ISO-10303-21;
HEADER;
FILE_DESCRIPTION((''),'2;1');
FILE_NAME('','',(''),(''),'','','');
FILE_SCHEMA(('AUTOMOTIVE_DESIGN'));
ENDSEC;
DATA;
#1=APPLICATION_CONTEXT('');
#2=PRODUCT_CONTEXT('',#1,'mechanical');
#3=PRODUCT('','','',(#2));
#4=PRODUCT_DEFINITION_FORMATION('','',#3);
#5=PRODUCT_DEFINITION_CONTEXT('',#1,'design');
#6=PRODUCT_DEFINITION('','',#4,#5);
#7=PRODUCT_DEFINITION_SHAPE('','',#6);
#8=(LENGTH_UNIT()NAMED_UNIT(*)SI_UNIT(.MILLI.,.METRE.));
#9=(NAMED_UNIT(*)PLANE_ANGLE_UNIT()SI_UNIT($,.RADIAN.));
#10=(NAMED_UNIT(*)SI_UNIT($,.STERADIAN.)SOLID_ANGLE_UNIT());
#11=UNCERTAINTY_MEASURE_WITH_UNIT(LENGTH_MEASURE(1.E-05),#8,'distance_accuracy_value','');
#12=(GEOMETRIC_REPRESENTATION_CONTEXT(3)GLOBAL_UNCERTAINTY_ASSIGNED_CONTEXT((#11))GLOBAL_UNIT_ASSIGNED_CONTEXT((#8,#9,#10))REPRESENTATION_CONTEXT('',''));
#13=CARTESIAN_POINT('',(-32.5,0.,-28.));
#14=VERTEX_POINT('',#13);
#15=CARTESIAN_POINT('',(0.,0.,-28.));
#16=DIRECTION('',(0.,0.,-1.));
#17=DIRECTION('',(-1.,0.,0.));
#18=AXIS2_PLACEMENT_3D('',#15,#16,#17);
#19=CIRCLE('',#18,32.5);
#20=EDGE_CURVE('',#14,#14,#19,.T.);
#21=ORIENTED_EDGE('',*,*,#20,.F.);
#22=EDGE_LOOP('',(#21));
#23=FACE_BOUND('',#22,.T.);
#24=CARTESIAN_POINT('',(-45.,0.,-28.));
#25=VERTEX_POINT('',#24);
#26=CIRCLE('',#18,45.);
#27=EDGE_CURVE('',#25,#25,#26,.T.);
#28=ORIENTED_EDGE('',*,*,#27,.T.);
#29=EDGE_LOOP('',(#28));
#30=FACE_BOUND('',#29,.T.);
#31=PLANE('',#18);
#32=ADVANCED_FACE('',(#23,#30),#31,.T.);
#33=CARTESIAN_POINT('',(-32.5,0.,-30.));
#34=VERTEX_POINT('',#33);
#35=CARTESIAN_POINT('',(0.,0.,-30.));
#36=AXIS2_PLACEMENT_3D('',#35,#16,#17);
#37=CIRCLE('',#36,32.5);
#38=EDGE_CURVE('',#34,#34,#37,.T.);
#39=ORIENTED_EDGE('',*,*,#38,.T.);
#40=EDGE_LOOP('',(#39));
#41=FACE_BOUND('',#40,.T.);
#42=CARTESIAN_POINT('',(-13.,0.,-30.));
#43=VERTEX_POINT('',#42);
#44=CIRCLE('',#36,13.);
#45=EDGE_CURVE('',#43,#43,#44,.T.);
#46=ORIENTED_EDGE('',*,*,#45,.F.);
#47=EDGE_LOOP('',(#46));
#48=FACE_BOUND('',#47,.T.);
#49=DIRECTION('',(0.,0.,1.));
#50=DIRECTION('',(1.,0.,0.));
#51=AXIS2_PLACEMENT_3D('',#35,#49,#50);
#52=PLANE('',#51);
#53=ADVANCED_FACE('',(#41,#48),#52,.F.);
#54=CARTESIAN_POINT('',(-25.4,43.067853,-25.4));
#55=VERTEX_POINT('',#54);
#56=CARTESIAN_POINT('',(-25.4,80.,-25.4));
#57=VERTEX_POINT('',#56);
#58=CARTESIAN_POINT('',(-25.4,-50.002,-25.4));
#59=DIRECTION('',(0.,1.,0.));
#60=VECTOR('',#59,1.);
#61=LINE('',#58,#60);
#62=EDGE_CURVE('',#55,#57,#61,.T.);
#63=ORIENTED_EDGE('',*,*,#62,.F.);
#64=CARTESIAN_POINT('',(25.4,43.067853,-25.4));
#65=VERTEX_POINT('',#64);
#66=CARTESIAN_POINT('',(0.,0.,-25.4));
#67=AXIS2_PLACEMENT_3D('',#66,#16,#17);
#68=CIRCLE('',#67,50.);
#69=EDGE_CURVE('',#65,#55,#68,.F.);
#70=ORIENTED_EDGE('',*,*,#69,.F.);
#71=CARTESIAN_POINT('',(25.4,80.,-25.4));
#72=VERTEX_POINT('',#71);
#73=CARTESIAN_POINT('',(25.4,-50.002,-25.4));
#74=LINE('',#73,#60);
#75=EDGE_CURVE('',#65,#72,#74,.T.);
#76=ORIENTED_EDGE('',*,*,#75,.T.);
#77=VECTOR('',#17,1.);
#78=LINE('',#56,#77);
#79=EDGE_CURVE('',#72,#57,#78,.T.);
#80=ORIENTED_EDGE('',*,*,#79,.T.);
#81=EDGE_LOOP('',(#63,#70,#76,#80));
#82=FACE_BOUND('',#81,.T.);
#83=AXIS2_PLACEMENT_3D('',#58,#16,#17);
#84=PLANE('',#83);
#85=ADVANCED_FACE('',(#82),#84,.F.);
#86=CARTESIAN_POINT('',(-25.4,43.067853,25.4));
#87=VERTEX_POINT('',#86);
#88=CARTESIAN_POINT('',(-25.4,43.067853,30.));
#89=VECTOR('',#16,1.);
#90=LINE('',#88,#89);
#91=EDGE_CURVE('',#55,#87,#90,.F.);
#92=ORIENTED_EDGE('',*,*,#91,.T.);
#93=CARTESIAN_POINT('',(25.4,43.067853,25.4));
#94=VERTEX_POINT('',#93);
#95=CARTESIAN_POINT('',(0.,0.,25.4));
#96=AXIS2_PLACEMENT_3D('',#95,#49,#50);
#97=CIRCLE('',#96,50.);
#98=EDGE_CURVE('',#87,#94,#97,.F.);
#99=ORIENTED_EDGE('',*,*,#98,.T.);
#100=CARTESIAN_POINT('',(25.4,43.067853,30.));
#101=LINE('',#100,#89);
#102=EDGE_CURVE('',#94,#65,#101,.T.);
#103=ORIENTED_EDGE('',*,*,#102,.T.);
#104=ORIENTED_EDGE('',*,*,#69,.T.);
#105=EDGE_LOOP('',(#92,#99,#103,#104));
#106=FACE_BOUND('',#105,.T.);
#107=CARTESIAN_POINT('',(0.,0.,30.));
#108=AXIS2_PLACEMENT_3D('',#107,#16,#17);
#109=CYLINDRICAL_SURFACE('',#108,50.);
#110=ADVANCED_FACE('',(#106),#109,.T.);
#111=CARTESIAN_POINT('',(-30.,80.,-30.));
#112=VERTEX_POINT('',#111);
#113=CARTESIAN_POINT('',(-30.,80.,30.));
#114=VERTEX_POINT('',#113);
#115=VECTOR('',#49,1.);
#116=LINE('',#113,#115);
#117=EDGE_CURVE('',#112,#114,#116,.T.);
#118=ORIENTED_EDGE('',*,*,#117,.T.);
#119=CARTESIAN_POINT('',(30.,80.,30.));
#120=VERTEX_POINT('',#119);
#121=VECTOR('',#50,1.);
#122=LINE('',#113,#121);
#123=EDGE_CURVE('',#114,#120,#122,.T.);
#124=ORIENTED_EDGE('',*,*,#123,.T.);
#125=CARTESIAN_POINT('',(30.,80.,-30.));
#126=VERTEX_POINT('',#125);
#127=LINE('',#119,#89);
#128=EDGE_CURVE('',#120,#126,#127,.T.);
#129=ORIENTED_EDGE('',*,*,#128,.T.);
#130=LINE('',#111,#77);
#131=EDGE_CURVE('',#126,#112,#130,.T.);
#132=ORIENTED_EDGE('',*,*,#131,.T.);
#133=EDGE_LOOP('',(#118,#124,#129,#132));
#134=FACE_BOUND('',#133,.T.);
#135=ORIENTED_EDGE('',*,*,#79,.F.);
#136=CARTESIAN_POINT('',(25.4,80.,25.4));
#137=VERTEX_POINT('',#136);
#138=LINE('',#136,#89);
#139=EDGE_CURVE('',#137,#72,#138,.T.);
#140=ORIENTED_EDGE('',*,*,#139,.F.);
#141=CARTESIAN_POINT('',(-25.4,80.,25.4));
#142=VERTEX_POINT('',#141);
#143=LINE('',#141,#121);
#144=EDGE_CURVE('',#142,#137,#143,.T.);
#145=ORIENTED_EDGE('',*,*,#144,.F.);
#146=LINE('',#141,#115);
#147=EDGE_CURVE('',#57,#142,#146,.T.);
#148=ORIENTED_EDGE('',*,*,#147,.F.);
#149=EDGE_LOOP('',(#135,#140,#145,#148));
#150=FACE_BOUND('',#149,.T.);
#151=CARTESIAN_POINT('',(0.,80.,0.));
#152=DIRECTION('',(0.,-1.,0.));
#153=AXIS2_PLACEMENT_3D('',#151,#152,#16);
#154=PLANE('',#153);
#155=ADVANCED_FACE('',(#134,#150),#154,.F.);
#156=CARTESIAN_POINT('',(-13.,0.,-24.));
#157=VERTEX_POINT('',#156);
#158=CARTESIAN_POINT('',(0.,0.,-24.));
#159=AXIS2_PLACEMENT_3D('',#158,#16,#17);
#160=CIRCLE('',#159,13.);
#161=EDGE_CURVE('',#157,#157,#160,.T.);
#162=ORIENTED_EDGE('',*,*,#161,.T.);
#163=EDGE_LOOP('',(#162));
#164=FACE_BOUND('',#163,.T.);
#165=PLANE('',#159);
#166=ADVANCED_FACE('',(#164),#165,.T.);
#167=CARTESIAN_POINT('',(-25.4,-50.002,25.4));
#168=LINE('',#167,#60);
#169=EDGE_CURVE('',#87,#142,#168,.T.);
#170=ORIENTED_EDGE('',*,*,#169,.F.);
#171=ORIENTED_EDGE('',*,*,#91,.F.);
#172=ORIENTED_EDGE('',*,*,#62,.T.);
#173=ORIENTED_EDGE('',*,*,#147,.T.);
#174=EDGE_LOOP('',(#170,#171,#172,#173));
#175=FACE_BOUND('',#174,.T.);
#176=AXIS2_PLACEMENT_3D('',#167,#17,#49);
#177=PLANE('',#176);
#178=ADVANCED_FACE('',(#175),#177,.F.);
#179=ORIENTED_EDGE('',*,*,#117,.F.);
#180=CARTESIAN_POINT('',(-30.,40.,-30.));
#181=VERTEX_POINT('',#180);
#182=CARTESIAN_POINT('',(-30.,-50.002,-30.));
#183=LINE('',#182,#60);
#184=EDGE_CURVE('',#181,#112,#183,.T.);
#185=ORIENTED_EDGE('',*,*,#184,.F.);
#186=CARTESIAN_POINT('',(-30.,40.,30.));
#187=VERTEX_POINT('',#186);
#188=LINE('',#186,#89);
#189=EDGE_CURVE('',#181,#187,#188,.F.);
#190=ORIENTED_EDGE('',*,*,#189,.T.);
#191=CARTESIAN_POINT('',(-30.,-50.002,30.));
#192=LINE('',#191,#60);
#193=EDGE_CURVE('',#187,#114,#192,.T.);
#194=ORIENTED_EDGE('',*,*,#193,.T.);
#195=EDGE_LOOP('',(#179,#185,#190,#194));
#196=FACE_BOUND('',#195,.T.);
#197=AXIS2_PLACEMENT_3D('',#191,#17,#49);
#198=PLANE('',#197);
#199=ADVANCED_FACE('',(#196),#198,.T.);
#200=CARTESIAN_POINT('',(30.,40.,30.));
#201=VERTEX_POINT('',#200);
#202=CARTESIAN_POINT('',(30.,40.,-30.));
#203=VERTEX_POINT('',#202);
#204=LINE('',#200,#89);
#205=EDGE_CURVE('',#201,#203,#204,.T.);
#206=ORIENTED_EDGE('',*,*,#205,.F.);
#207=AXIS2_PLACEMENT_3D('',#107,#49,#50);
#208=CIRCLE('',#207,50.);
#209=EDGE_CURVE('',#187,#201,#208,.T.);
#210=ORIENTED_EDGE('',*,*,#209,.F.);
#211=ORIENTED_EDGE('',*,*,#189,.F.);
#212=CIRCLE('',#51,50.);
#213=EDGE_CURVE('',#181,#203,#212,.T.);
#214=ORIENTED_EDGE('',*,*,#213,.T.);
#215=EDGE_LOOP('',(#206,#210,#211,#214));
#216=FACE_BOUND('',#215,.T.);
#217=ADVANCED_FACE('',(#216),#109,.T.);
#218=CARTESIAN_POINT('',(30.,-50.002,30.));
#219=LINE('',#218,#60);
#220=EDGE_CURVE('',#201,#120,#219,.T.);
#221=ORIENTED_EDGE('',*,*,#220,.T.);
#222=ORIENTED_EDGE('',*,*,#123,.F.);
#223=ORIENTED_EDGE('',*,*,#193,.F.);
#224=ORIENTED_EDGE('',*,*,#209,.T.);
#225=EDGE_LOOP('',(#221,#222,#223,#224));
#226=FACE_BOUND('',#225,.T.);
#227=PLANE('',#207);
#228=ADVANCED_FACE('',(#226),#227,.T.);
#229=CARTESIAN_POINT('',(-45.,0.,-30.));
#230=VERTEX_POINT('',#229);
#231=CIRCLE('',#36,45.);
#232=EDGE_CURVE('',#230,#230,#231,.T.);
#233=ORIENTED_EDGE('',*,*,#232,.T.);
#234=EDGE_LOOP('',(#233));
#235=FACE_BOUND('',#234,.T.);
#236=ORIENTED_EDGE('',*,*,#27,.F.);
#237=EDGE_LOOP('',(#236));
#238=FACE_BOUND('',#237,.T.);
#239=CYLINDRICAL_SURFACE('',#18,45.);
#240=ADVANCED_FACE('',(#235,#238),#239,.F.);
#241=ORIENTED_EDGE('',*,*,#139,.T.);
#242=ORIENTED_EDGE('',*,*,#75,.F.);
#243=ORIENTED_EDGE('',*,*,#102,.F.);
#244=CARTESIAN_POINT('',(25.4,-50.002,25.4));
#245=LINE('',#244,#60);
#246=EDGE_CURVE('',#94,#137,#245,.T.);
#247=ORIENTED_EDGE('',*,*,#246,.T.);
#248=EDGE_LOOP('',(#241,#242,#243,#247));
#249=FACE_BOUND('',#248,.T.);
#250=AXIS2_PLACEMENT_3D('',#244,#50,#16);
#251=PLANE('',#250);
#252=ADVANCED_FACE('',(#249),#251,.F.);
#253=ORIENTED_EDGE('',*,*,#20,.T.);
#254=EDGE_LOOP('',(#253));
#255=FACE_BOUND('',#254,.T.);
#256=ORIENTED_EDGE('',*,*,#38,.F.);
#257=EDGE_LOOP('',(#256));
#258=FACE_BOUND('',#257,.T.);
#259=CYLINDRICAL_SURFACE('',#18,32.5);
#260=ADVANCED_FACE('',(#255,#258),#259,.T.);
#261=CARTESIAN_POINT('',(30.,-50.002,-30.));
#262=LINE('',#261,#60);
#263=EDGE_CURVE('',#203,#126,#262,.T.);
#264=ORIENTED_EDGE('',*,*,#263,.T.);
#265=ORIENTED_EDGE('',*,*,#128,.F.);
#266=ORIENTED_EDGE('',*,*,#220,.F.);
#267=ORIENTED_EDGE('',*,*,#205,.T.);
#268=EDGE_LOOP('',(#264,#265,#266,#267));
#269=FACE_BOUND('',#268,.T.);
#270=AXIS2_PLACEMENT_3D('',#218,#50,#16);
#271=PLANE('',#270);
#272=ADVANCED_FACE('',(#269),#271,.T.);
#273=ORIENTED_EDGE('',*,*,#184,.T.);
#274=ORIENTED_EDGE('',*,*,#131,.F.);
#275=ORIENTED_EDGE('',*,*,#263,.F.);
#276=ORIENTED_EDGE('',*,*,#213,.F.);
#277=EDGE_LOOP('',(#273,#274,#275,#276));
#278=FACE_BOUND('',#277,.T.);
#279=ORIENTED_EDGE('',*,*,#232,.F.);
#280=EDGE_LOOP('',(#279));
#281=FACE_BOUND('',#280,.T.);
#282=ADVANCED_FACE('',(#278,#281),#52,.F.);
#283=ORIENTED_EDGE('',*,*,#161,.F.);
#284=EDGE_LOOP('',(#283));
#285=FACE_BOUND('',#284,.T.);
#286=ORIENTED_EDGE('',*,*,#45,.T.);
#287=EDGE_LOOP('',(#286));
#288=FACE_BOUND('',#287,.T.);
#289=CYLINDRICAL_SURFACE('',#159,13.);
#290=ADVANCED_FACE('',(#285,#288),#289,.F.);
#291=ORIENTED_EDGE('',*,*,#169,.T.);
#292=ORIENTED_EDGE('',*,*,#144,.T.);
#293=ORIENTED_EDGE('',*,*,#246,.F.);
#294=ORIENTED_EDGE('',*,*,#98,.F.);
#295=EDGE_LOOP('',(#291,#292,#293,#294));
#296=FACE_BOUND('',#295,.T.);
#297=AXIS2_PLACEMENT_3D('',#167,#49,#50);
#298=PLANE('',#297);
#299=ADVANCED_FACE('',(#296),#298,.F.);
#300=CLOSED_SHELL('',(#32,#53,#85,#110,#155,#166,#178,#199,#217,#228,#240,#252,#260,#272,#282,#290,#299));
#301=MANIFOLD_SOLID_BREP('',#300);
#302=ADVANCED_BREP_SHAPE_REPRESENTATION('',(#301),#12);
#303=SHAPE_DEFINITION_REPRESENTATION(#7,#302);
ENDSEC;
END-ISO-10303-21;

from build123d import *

# Parameters (mm, degrees)
CROQUIS1_R                   = 50
SALIENTE_EXTRUIR1_DEPTH      = 30
CROQUIS2_R                   = 45
CROQUIS2_R_2                 = 32.5
CORTAR_EXTRUIR1_DEPTH        = 2
CROQUIS3_R                   = 13
CORTAR_EXTRUIR2_DEPTH        = 6
SALIENTE_EXTRUIR2_REACH      = 144.478
SALIENTE_EXTRUIR2_END_RADIUS = 50
CROQUIS5_W                   = 60
CROQUIS5_H                   = 60
CROQUIS5_W_2                 = 50.8
CROQUIS5_H_2                 = 50.8


with BuildPart() as part:
    # Croquis1 → Saliente-Extruir1 (new, symmetric)
    with BuildSketch(Plane.XY):
        Circle(CROQUIS1_R)
    extrude(amount=SALIENTE_EXTRUIR1_DEPTH, both=True)

    # Croquis2 → Cortar-Extruir1 (cut)
    with BuildSketch(Plane(origin=(0, 0, -30), x_dir=(-1, 0, 0), z_dir=(0, 0, -1))):
        Circle(CROQUIS2_R)
        Circle(CROQUIS2_R_2, mode=Mode.SUBTRACT)
    extrude(amount=-CORTAR_EXTRUIR1_DEPTH, mode=Mode.SUBTRACT)

    # Croquis3 → Cortar-Extruir2 (cut)
    with BuildSketch(Plane(origin=(0, 0, -30), x_dir=(-1, 0, 0), z_dir=(0, 0, -1))):
        Circle(CROQUIS3_R)
    extrude(amount=-CORTAR_EXTRUIR2_DEPTH, mode=Mode.SUBTRACT)

    # Saliente-Extruir2: up to this cylinder (the profile starts outside it)
    saliente_extruir2_end = Plane(origin=(0, 0, 29.151472), z_dir=(0, 0, -1)) * Cylinder(SALIENTE_EXTRUIR2_END_RADIUS, 389.956, mode=Mode.PRIVATE)
    # Croquis5 → Saliente-Extruir2 (add, up to the surface)
    with BuildSketch(Plane(origin=(0, 80, 0), x_dir=(1, 0, 0), z_dir=(0, 1, 0)), mode=Mode.PRIVATE) as saliente_extruir2_sk1:
        Rectangle(CROQUIS5_W, CROQUIS5_H)
        Rectangle(CROQUIS5_W_2, CROQUIS5_H_2, mode=Mode.SUBTRACT)
    saliente_extruir2_tool1 = extrude(saliente_extruir2_sk1.sketch, amount=-SALIENTE_EXTRUIR2_REACH, mode=Mode.PRIVATE) - saliente_extruir2_end
    add(saliente_extruir2_tool1.solids().sort_by_distance((0, 80, 29.151472))[0])


solid = part.part
